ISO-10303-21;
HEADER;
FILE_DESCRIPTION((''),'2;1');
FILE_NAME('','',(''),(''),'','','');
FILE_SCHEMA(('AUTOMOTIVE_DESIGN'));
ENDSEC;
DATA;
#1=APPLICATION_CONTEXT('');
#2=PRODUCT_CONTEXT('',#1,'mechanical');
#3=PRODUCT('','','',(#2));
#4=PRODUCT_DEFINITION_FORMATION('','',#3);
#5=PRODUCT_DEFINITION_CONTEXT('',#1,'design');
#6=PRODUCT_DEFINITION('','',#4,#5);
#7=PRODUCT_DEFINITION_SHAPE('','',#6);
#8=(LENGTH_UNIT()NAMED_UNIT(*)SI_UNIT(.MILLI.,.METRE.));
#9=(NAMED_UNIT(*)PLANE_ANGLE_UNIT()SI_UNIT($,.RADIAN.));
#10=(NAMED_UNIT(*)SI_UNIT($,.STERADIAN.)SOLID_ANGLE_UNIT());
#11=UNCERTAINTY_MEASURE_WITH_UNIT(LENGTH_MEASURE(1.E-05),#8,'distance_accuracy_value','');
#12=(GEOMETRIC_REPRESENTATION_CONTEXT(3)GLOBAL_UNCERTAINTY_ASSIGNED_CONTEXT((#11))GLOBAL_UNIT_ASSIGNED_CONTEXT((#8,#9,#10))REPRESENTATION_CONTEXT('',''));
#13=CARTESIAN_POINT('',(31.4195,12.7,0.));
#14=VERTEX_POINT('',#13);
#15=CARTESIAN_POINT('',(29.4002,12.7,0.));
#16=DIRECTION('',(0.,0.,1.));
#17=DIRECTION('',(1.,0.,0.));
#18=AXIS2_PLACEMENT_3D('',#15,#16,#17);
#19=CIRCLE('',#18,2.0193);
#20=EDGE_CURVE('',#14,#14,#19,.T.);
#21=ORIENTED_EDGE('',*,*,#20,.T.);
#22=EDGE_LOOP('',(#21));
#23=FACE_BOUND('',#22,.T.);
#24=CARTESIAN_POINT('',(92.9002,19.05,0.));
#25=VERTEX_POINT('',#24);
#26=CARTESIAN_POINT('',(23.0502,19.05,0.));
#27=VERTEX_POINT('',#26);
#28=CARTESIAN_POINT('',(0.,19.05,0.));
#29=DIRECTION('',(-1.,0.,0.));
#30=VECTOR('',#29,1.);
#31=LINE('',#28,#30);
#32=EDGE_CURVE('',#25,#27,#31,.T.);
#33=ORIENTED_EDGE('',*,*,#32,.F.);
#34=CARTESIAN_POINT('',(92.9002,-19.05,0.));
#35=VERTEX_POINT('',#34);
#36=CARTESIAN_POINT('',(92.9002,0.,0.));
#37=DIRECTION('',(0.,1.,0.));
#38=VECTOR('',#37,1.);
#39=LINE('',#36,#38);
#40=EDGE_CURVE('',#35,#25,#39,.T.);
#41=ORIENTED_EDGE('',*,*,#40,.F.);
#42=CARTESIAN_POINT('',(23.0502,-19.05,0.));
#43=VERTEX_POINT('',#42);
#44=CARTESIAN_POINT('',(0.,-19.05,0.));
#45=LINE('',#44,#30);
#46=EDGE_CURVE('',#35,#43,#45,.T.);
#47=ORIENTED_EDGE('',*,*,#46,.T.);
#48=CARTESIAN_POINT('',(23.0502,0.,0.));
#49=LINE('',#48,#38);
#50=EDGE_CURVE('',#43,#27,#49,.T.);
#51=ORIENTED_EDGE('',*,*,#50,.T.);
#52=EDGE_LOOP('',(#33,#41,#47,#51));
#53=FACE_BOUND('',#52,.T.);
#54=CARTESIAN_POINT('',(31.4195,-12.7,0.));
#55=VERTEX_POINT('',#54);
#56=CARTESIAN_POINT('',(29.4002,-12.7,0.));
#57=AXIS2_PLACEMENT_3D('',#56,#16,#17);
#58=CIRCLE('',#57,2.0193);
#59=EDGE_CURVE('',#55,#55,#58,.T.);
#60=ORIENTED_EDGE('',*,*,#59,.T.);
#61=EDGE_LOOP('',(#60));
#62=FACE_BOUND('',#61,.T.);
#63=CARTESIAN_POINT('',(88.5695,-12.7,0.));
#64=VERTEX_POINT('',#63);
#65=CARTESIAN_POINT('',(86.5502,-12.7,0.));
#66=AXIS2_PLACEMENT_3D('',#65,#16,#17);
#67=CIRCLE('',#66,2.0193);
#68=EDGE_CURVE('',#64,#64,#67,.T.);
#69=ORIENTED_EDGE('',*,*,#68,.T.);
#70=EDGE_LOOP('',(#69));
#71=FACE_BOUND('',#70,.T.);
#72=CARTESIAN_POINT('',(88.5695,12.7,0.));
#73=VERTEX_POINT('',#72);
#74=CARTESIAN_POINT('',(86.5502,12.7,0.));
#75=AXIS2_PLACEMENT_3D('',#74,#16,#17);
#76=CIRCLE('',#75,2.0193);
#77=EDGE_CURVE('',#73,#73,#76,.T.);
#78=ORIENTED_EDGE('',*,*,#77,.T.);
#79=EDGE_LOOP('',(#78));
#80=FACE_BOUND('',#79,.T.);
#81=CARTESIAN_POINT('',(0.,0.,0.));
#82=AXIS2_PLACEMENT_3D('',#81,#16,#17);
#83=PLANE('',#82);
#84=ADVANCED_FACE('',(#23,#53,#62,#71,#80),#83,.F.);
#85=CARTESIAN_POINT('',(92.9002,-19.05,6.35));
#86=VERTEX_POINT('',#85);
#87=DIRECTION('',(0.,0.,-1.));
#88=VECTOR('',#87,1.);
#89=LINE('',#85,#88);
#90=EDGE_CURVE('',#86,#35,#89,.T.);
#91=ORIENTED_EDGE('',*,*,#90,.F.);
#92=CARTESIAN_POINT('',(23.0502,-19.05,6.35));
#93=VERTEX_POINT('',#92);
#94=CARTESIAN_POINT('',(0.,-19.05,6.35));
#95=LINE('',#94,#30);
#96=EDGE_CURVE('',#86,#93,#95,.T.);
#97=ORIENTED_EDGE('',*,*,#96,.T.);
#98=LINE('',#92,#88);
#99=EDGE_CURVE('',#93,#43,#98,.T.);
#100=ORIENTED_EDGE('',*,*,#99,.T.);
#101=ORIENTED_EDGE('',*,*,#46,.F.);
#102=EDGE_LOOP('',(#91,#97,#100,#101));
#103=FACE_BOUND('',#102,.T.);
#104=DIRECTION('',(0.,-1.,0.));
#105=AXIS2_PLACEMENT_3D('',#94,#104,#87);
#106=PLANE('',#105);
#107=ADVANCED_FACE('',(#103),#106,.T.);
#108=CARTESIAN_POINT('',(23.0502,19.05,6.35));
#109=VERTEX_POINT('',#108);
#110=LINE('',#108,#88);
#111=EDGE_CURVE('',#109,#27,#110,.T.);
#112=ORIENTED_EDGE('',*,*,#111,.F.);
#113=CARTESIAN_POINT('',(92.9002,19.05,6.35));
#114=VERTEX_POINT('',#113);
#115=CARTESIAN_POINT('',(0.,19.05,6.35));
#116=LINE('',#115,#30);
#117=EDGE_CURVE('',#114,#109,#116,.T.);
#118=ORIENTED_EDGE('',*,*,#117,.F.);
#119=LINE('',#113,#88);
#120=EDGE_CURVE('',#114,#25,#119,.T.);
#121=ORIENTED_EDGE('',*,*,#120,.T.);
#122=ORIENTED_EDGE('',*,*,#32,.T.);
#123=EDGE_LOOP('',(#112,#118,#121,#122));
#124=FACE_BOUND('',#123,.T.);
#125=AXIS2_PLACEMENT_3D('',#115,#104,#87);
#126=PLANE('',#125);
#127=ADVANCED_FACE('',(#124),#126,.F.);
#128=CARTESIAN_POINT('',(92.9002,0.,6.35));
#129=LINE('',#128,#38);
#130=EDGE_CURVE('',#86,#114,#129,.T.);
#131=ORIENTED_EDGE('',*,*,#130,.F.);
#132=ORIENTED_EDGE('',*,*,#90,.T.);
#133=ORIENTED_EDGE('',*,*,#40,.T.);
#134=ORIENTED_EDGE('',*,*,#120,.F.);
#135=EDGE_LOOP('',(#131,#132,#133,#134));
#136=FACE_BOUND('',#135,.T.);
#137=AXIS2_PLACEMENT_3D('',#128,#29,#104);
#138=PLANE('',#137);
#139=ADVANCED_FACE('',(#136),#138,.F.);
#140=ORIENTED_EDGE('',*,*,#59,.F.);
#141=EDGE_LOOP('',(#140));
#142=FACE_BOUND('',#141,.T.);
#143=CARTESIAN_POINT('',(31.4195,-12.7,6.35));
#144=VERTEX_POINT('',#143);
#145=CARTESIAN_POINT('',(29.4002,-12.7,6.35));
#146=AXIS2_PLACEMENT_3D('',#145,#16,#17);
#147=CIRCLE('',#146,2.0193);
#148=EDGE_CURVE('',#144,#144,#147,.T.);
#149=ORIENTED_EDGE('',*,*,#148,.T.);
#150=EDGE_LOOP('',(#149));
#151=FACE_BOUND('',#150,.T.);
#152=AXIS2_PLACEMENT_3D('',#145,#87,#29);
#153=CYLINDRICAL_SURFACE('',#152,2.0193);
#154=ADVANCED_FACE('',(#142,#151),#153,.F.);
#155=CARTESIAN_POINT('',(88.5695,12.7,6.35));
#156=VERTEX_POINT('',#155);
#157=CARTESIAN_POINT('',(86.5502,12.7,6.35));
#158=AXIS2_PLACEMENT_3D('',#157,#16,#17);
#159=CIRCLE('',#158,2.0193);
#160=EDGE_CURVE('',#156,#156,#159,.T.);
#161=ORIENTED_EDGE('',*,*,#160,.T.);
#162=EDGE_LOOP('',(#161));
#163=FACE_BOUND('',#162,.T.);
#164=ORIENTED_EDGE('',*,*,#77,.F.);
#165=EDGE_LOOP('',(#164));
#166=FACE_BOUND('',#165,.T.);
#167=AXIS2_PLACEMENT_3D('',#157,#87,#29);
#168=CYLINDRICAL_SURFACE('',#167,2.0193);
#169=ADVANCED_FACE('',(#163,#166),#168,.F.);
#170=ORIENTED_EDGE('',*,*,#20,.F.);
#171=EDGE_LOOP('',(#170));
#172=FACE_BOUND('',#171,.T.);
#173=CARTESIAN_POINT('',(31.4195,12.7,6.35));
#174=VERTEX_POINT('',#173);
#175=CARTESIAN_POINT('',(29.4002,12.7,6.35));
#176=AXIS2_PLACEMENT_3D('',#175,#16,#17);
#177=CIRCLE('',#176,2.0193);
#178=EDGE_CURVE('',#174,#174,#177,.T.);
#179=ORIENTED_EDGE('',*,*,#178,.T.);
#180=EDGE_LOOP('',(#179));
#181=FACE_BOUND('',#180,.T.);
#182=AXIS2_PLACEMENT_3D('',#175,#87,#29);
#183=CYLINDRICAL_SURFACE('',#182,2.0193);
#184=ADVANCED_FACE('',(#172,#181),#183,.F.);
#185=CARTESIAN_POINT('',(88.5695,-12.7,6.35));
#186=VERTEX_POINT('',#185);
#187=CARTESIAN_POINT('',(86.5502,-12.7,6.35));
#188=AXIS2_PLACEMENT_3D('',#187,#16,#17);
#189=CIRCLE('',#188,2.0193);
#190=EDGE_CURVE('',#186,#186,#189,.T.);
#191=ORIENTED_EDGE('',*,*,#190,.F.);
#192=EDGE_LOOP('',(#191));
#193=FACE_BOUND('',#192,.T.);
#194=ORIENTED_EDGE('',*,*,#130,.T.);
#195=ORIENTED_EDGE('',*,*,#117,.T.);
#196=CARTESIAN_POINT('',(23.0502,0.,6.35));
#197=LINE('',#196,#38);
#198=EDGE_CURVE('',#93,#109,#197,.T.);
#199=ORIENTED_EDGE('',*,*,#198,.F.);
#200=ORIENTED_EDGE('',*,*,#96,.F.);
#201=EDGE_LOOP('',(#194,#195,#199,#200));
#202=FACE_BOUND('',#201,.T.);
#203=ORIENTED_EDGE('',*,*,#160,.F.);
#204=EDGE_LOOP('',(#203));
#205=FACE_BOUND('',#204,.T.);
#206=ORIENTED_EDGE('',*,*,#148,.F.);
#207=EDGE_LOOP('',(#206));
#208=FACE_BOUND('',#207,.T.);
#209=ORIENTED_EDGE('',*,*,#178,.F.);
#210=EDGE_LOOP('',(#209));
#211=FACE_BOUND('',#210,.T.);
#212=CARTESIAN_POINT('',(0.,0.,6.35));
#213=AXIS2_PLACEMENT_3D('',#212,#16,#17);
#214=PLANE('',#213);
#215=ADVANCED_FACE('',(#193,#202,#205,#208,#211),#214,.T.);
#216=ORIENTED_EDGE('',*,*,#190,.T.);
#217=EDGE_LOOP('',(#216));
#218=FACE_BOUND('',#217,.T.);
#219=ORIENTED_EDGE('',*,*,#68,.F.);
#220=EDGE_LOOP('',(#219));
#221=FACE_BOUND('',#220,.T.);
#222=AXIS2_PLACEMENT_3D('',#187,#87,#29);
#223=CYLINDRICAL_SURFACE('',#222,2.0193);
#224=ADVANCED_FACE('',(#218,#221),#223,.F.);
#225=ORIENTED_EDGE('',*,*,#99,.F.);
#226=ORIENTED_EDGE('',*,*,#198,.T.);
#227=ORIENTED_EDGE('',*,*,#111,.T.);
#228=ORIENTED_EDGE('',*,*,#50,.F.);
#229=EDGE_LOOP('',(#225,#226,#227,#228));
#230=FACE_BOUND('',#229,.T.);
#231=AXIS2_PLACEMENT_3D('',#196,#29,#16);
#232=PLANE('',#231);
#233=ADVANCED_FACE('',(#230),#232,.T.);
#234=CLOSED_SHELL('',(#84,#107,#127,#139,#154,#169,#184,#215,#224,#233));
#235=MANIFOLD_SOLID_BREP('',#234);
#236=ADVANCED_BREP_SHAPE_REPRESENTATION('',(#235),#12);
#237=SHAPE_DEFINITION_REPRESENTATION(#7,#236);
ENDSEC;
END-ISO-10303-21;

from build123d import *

# Parameters (mm, degrees)
SKETCH1_W           = 69.85
SKETCH1_H           = 38.1
SKETCH1_R           = 2.0193
BOSS_EXTRUDE1_DEPTH = 6.35


with BuildPart() as part:
    # Sketch1 → Boss-Extrude1 (new body)
    with BuildSketch(Plane.XY):
        with Locations((57.9752, 0)):
            Rectangle(SKETCH1_W, SKETCH1_H)
        with Locations((29.4002, -12.7)):
            Circle(SKETCH1_R, mode=Mode.SUBTRACT)
        with Locations((86.5502, -12.7)):
            Circle(SKETCH1_R, mode=Mode.SUBTRACT)
        with Locations((29.4002, 12.7)):
            Circle(SKETCH1_R, mode=Mode.SUBTRACT)
        with Locations((86.5502, 12.7)):
            Circle(SKETCH1_R, mode=Mode.SUBTRACT)
    extrude(amount=BOSS_EXTRUDE1_DEPTH)


solid = part.part
